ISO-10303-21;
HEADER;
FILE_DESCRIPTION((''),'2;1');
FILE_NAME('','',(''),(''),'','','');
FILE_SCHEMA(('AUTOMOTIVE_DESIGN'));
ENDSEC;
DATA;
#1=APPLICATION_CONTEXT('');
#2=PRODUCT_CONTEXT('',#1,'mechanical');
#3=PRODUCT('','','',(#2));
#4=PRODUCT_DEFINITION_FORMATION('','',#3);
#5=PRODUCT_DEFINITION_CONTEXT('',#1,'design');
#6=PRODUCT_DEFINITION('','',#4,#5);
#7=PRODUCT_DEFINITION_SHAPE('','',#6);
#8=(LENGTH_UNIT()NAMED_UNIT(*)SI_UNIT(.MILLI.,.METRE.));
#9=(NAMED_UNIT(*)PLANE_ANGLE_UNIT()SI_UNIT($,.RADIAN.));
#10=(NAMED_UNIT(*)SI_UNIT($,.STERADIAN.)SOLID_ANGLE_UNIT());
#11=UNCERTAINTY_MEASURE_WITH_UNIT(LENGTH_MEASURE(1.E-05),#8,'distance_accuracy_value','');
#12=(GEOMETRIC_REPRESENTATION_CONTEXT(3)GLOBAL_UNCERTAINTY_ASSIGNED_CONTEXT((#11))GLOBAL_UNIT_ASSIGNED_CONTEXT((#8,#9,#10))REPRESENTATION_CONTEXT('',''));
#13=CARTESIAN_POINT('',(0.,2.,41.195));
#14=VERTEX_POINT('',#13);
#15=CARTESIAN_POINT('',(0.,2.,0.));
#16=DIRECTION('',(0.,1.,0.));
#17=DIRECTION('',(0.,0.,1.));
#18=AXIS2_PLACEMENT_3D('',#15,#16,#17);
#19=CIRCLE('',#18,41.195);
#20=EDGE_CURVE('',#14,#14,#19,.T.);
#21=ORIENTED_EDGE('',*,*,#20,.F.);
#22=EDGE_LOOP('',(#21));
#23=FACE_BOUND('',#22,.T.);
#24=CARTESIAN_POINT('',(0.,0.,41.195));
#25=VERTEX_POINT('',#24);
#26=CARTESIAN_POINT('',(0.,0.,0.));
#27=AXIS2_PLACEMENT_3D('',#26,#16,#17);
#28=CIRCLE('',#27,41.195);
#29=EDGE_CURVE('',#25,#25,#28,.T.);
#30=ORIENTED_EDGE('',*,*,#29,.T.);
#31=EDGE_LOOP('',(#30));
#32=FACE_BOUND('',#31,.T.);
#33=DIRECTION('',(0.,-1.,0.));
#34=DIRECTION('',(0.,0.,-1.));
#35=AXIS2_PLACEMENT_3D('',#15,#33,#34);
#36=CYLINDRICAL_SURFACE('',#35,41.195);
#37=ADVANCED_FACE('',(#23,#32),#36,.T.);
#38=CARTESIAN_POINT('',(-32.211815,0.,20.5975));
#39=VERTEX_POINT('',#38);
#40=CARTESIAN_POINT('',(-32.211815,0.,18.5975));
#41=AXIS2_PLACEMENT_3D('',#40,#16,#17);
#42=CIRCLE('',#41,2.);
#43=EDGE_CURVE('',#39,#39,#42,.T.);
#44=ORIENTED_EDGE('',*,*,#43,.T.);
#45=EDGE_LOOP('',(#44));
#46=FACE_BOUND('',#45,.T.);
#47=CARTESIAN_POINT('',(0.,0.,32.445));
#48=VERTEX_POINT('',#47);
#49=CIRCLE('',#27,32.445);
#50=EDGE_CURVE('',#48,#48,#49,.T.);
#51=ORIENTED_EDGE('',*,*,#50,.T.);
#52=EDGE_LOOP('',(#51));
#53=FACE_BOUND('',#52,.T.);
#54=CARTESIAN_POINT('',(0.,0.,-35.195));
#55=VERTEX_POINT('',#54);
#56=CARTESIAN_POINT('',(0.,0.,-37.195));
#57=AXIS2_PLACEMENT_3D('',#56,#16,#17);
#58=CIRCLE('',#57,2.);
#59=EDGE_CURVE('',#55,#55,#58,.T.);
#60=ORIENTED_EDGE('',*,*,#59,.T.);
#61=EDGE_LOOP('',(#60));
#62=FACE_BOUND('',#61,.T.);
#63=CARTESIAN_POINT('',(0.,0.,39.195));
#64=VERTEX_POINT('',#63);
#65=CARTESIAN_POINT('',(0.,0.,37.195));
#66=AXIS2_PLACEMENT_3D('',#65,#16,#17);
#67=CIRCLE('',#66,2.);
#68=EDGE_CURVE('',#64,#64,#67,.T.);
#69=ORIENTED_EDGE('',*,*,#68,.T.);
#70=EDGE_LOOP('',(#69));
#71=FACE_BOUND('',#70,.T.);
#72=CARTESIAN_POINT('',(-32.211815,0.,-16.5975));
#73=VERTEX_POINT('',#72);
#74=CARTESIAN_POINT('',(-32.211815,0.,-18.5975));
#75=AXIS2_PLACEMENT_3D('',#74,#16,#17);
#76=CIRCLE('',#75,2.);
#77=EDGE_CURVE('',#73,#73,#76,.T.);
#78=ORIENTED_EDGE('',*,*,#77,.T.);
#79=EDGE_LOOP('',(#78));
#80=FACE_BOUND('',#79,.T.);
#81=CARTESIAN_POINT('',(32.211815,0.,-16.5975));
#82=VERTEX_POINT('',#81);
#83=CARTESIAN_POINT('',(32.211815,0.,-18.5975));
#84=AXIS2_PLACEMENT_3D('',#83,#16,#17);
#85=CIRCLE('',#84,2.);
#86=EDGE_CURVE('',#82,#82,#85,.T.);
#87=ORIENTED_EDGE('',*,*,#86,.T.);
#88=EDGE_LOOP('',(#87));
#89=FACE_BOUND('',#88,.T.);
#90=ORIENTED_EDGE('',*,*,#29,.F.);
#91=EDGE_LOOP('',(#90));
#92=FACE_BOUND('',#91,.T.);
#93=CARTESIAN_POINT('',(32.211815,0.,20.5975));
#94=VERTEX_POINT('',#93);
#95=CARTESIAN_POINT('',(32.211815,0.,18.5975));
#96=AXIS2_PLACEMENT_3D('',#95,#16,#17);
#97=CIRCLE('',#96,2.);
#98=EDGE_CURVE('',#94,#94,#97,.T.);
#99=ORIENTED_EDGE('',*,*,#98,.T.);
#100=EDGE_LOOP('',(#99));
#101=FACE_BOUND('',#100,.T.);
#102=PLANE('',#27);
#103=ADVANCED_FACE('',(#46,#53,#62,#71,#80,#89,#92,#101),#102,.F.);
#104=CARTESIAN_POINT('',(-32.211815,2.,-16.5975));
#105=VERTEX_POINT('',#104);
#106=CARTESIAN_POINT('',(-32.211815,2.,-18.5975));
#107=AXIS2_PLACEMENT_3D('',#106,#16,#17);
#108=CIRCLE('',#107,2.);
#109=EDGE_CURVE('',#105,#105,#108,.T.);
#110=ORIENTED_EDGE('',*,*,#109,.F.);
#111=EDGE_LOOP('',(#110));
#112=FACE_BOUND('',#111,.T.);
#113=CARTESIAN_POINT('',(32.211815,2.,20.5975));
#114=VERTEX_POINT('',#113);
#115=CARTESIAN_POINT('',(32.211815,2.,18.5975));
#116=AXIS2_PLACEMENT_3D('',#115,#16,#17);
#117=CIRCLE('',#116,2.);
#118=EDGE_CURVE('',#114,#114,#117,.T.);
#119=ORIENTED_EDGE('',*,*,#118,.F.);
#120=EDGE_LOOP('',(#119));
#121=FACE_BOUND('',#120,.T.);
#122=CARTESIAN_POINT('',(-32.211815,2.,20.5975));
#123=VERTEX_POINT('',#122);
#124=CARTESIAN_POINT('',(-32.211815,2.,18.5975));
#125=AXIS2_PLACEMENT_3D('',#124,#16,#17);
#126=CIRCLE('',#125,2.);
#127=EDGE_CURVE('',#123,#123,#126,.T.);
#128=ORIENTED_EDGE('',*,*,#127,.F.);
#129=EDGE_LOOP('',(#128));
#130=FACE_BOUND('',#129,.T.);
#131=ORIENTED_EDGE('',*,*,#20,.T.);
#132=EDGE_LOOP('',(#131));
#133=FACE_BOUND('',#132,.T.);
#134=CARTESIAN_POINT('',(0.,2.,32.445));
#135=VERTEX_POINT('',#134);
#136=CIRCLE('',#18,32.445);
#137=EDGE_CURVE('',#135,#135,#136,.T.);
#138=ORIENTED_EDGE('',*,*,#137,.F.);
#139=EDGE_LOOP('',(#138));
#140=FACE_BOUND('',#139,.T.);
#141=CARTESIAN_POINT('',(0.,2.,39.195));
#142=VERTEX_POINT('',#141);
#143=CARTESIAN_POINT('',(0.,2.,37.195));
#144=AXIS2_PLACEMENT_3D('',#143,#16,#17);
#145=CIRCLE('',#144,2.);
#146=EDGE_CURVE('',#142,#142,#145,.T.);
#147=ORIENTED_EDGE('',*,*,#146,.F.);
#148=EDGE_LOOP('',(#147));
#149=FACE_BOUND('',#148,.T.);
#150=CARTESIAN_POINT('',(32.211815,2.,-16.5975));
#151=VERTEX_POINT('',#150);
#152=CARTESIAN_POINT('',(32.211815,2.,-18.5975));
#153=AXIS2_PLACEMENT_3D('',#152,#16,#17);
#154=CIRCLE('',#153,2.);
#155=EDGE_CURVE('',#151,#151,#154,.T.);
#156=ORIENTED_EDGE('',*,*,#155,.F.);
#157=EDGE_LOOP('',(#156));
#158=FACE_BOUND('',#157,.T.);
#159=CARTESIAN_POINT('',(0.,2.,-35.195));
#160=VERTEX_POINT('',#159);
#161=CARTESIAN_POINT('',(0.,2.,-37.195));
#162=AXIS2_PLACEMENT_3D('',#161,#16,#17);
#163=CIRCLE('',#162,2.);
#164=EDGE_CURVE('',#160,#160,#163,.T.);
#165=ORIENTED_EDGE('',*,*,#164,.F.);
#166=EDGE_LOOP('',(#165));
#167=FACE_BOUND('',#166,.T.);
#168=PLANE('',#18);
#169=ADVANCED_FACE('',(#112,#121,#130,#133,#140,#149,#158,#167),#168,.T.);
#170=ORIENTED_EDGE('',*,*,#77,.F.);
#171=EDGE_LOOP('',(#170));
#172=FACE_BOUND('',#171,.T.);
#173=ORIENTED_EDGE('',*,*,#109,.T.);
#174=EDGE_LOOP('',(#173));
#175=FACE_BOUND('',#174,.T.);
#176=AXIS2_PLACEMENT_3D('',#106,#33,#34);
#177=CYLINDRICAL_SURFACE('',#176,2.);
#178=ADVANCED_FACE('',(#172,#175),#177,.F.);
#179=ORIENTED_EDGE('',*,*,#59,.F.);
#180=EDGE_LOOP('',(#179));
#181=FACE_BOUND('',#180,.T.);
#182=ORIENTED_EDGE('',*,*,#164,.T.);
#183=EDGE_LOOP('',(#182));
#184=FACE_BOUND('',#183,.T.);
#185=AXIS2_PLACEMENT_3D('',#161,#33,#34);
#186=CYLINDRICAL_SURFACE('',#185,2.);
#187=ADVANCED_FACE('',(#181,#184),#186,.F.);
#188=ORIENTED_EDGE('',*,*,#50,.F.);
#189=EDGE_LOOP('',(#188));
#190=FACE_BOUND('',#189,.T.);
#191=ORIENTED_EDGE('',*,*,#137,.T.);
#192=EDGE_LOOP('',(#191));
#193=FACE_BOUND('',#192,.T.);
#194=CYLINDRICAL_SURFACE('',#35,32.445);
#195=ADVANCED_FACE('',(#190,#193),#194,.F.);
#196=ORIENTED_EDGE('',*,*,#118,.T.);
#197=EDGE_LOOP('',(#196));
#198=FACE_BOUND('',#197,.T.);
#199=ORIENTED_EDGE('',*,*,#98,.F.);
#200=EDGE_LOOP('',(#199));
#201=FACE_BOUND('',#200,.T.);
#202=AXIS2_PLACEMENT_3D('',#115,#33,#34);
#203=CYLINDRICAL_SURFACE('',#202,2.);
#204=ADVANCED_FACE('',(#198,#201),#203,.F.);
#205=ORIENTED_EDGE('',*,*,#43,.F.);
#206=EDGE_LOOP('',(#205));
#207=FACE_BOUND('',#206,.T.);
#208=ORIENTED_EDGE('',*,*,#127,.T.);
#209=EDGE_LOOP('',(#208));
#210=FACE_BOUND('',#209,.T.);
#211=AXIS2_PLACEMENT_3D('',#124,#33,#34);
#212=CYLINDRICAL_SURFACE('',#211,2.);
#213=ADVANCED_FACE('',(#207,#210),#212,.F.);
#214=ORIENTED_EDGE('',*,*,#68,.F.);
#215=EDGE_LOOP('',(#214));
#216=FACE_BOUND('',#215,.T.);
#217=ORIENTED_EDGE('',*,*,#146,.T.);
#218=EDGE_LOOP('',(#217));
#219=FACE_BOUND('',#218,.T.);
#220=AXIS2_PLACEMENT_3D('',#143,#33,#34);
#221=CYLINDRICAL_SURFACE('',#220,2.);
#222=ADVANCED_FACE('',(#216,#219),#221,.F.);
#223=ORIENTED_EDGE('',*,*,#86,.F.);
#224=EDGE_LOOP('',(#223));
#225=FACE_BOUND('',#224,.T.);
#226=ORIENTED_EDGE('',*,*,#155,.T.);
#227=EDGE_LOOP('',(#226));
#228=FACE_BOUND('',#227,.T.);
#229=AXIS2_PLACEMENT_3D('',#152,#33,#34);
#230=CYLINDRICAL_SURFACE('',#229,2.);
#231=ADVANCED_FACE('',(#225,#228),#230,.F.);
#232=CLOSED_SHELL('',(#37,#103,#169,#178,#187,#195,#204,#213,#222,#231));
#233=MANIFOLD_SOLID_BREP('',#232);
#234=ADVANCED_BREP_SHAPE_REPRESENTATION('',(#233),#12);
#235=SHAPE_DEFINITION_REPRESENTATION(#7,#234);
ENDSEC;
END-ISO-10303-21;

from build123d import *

# Parameters (mm, degrees)
SKETCH1_R           = 41.195
SKETCH1_R_2         = 32.445
SKETCH1_R_3         = 2
BOSS_EXTRUDE1_DEPTH = 2


with BuildPart() as part:
    # Sketch1 → Boss-Extrude1 (new body)
    with BuildSketch(Plane(origin=(0, 0, 0), x_dir=(1, 0, 0), z_dir=(0, 1, 0))):
        with Locations(Location((0, 0, 0), (0, 0, 270))):
            Circle(SKETCH1_R)
        with Locations(Location((0, 0, 0), (0, 0, 270))):
            Circle(SKETCH1_R_2, mode=Mode.SUBTRACT)
        with Locations(Location((0, 37.195, 0), (0, 0, 270))):
            Circle(SKETCH1_R_3, mode=Mode.SUBTRACT)
        with Locations(Location((32.211814894, 18.5975, 0), (0, 0, 270))):
            Circle(SKETCH1_R_3, mode=Mode.SUBTRACT)
        with Locations(Location((32.211814894, -18.5975, 0), (0, 0, 270))):
            Circle(SKETCH1_R_3, mode=Mode.SUBTRACT)
        with Locations(Location((0, -37.195, 0), (0, 0, 270))):
            Circle(SKETCH1_R_3, mode=Mode.SUBTRACT)
        with Locations(Location((-32.211814894, -18.5975, 0), (0, 0, 270))):
            Circle(SKETCH1_R_3, mode=Mode.SUBTRACT)
        with Locations(Location((-32.211814894, 18.5975, 0), (0, 0, 270))):
            Circle(SKETCH1_R_3, mode=Mode.SUBTRACT)
    extrude(amount=BOSS_EXTRUDE1_DEPTH)


solid = part.part
